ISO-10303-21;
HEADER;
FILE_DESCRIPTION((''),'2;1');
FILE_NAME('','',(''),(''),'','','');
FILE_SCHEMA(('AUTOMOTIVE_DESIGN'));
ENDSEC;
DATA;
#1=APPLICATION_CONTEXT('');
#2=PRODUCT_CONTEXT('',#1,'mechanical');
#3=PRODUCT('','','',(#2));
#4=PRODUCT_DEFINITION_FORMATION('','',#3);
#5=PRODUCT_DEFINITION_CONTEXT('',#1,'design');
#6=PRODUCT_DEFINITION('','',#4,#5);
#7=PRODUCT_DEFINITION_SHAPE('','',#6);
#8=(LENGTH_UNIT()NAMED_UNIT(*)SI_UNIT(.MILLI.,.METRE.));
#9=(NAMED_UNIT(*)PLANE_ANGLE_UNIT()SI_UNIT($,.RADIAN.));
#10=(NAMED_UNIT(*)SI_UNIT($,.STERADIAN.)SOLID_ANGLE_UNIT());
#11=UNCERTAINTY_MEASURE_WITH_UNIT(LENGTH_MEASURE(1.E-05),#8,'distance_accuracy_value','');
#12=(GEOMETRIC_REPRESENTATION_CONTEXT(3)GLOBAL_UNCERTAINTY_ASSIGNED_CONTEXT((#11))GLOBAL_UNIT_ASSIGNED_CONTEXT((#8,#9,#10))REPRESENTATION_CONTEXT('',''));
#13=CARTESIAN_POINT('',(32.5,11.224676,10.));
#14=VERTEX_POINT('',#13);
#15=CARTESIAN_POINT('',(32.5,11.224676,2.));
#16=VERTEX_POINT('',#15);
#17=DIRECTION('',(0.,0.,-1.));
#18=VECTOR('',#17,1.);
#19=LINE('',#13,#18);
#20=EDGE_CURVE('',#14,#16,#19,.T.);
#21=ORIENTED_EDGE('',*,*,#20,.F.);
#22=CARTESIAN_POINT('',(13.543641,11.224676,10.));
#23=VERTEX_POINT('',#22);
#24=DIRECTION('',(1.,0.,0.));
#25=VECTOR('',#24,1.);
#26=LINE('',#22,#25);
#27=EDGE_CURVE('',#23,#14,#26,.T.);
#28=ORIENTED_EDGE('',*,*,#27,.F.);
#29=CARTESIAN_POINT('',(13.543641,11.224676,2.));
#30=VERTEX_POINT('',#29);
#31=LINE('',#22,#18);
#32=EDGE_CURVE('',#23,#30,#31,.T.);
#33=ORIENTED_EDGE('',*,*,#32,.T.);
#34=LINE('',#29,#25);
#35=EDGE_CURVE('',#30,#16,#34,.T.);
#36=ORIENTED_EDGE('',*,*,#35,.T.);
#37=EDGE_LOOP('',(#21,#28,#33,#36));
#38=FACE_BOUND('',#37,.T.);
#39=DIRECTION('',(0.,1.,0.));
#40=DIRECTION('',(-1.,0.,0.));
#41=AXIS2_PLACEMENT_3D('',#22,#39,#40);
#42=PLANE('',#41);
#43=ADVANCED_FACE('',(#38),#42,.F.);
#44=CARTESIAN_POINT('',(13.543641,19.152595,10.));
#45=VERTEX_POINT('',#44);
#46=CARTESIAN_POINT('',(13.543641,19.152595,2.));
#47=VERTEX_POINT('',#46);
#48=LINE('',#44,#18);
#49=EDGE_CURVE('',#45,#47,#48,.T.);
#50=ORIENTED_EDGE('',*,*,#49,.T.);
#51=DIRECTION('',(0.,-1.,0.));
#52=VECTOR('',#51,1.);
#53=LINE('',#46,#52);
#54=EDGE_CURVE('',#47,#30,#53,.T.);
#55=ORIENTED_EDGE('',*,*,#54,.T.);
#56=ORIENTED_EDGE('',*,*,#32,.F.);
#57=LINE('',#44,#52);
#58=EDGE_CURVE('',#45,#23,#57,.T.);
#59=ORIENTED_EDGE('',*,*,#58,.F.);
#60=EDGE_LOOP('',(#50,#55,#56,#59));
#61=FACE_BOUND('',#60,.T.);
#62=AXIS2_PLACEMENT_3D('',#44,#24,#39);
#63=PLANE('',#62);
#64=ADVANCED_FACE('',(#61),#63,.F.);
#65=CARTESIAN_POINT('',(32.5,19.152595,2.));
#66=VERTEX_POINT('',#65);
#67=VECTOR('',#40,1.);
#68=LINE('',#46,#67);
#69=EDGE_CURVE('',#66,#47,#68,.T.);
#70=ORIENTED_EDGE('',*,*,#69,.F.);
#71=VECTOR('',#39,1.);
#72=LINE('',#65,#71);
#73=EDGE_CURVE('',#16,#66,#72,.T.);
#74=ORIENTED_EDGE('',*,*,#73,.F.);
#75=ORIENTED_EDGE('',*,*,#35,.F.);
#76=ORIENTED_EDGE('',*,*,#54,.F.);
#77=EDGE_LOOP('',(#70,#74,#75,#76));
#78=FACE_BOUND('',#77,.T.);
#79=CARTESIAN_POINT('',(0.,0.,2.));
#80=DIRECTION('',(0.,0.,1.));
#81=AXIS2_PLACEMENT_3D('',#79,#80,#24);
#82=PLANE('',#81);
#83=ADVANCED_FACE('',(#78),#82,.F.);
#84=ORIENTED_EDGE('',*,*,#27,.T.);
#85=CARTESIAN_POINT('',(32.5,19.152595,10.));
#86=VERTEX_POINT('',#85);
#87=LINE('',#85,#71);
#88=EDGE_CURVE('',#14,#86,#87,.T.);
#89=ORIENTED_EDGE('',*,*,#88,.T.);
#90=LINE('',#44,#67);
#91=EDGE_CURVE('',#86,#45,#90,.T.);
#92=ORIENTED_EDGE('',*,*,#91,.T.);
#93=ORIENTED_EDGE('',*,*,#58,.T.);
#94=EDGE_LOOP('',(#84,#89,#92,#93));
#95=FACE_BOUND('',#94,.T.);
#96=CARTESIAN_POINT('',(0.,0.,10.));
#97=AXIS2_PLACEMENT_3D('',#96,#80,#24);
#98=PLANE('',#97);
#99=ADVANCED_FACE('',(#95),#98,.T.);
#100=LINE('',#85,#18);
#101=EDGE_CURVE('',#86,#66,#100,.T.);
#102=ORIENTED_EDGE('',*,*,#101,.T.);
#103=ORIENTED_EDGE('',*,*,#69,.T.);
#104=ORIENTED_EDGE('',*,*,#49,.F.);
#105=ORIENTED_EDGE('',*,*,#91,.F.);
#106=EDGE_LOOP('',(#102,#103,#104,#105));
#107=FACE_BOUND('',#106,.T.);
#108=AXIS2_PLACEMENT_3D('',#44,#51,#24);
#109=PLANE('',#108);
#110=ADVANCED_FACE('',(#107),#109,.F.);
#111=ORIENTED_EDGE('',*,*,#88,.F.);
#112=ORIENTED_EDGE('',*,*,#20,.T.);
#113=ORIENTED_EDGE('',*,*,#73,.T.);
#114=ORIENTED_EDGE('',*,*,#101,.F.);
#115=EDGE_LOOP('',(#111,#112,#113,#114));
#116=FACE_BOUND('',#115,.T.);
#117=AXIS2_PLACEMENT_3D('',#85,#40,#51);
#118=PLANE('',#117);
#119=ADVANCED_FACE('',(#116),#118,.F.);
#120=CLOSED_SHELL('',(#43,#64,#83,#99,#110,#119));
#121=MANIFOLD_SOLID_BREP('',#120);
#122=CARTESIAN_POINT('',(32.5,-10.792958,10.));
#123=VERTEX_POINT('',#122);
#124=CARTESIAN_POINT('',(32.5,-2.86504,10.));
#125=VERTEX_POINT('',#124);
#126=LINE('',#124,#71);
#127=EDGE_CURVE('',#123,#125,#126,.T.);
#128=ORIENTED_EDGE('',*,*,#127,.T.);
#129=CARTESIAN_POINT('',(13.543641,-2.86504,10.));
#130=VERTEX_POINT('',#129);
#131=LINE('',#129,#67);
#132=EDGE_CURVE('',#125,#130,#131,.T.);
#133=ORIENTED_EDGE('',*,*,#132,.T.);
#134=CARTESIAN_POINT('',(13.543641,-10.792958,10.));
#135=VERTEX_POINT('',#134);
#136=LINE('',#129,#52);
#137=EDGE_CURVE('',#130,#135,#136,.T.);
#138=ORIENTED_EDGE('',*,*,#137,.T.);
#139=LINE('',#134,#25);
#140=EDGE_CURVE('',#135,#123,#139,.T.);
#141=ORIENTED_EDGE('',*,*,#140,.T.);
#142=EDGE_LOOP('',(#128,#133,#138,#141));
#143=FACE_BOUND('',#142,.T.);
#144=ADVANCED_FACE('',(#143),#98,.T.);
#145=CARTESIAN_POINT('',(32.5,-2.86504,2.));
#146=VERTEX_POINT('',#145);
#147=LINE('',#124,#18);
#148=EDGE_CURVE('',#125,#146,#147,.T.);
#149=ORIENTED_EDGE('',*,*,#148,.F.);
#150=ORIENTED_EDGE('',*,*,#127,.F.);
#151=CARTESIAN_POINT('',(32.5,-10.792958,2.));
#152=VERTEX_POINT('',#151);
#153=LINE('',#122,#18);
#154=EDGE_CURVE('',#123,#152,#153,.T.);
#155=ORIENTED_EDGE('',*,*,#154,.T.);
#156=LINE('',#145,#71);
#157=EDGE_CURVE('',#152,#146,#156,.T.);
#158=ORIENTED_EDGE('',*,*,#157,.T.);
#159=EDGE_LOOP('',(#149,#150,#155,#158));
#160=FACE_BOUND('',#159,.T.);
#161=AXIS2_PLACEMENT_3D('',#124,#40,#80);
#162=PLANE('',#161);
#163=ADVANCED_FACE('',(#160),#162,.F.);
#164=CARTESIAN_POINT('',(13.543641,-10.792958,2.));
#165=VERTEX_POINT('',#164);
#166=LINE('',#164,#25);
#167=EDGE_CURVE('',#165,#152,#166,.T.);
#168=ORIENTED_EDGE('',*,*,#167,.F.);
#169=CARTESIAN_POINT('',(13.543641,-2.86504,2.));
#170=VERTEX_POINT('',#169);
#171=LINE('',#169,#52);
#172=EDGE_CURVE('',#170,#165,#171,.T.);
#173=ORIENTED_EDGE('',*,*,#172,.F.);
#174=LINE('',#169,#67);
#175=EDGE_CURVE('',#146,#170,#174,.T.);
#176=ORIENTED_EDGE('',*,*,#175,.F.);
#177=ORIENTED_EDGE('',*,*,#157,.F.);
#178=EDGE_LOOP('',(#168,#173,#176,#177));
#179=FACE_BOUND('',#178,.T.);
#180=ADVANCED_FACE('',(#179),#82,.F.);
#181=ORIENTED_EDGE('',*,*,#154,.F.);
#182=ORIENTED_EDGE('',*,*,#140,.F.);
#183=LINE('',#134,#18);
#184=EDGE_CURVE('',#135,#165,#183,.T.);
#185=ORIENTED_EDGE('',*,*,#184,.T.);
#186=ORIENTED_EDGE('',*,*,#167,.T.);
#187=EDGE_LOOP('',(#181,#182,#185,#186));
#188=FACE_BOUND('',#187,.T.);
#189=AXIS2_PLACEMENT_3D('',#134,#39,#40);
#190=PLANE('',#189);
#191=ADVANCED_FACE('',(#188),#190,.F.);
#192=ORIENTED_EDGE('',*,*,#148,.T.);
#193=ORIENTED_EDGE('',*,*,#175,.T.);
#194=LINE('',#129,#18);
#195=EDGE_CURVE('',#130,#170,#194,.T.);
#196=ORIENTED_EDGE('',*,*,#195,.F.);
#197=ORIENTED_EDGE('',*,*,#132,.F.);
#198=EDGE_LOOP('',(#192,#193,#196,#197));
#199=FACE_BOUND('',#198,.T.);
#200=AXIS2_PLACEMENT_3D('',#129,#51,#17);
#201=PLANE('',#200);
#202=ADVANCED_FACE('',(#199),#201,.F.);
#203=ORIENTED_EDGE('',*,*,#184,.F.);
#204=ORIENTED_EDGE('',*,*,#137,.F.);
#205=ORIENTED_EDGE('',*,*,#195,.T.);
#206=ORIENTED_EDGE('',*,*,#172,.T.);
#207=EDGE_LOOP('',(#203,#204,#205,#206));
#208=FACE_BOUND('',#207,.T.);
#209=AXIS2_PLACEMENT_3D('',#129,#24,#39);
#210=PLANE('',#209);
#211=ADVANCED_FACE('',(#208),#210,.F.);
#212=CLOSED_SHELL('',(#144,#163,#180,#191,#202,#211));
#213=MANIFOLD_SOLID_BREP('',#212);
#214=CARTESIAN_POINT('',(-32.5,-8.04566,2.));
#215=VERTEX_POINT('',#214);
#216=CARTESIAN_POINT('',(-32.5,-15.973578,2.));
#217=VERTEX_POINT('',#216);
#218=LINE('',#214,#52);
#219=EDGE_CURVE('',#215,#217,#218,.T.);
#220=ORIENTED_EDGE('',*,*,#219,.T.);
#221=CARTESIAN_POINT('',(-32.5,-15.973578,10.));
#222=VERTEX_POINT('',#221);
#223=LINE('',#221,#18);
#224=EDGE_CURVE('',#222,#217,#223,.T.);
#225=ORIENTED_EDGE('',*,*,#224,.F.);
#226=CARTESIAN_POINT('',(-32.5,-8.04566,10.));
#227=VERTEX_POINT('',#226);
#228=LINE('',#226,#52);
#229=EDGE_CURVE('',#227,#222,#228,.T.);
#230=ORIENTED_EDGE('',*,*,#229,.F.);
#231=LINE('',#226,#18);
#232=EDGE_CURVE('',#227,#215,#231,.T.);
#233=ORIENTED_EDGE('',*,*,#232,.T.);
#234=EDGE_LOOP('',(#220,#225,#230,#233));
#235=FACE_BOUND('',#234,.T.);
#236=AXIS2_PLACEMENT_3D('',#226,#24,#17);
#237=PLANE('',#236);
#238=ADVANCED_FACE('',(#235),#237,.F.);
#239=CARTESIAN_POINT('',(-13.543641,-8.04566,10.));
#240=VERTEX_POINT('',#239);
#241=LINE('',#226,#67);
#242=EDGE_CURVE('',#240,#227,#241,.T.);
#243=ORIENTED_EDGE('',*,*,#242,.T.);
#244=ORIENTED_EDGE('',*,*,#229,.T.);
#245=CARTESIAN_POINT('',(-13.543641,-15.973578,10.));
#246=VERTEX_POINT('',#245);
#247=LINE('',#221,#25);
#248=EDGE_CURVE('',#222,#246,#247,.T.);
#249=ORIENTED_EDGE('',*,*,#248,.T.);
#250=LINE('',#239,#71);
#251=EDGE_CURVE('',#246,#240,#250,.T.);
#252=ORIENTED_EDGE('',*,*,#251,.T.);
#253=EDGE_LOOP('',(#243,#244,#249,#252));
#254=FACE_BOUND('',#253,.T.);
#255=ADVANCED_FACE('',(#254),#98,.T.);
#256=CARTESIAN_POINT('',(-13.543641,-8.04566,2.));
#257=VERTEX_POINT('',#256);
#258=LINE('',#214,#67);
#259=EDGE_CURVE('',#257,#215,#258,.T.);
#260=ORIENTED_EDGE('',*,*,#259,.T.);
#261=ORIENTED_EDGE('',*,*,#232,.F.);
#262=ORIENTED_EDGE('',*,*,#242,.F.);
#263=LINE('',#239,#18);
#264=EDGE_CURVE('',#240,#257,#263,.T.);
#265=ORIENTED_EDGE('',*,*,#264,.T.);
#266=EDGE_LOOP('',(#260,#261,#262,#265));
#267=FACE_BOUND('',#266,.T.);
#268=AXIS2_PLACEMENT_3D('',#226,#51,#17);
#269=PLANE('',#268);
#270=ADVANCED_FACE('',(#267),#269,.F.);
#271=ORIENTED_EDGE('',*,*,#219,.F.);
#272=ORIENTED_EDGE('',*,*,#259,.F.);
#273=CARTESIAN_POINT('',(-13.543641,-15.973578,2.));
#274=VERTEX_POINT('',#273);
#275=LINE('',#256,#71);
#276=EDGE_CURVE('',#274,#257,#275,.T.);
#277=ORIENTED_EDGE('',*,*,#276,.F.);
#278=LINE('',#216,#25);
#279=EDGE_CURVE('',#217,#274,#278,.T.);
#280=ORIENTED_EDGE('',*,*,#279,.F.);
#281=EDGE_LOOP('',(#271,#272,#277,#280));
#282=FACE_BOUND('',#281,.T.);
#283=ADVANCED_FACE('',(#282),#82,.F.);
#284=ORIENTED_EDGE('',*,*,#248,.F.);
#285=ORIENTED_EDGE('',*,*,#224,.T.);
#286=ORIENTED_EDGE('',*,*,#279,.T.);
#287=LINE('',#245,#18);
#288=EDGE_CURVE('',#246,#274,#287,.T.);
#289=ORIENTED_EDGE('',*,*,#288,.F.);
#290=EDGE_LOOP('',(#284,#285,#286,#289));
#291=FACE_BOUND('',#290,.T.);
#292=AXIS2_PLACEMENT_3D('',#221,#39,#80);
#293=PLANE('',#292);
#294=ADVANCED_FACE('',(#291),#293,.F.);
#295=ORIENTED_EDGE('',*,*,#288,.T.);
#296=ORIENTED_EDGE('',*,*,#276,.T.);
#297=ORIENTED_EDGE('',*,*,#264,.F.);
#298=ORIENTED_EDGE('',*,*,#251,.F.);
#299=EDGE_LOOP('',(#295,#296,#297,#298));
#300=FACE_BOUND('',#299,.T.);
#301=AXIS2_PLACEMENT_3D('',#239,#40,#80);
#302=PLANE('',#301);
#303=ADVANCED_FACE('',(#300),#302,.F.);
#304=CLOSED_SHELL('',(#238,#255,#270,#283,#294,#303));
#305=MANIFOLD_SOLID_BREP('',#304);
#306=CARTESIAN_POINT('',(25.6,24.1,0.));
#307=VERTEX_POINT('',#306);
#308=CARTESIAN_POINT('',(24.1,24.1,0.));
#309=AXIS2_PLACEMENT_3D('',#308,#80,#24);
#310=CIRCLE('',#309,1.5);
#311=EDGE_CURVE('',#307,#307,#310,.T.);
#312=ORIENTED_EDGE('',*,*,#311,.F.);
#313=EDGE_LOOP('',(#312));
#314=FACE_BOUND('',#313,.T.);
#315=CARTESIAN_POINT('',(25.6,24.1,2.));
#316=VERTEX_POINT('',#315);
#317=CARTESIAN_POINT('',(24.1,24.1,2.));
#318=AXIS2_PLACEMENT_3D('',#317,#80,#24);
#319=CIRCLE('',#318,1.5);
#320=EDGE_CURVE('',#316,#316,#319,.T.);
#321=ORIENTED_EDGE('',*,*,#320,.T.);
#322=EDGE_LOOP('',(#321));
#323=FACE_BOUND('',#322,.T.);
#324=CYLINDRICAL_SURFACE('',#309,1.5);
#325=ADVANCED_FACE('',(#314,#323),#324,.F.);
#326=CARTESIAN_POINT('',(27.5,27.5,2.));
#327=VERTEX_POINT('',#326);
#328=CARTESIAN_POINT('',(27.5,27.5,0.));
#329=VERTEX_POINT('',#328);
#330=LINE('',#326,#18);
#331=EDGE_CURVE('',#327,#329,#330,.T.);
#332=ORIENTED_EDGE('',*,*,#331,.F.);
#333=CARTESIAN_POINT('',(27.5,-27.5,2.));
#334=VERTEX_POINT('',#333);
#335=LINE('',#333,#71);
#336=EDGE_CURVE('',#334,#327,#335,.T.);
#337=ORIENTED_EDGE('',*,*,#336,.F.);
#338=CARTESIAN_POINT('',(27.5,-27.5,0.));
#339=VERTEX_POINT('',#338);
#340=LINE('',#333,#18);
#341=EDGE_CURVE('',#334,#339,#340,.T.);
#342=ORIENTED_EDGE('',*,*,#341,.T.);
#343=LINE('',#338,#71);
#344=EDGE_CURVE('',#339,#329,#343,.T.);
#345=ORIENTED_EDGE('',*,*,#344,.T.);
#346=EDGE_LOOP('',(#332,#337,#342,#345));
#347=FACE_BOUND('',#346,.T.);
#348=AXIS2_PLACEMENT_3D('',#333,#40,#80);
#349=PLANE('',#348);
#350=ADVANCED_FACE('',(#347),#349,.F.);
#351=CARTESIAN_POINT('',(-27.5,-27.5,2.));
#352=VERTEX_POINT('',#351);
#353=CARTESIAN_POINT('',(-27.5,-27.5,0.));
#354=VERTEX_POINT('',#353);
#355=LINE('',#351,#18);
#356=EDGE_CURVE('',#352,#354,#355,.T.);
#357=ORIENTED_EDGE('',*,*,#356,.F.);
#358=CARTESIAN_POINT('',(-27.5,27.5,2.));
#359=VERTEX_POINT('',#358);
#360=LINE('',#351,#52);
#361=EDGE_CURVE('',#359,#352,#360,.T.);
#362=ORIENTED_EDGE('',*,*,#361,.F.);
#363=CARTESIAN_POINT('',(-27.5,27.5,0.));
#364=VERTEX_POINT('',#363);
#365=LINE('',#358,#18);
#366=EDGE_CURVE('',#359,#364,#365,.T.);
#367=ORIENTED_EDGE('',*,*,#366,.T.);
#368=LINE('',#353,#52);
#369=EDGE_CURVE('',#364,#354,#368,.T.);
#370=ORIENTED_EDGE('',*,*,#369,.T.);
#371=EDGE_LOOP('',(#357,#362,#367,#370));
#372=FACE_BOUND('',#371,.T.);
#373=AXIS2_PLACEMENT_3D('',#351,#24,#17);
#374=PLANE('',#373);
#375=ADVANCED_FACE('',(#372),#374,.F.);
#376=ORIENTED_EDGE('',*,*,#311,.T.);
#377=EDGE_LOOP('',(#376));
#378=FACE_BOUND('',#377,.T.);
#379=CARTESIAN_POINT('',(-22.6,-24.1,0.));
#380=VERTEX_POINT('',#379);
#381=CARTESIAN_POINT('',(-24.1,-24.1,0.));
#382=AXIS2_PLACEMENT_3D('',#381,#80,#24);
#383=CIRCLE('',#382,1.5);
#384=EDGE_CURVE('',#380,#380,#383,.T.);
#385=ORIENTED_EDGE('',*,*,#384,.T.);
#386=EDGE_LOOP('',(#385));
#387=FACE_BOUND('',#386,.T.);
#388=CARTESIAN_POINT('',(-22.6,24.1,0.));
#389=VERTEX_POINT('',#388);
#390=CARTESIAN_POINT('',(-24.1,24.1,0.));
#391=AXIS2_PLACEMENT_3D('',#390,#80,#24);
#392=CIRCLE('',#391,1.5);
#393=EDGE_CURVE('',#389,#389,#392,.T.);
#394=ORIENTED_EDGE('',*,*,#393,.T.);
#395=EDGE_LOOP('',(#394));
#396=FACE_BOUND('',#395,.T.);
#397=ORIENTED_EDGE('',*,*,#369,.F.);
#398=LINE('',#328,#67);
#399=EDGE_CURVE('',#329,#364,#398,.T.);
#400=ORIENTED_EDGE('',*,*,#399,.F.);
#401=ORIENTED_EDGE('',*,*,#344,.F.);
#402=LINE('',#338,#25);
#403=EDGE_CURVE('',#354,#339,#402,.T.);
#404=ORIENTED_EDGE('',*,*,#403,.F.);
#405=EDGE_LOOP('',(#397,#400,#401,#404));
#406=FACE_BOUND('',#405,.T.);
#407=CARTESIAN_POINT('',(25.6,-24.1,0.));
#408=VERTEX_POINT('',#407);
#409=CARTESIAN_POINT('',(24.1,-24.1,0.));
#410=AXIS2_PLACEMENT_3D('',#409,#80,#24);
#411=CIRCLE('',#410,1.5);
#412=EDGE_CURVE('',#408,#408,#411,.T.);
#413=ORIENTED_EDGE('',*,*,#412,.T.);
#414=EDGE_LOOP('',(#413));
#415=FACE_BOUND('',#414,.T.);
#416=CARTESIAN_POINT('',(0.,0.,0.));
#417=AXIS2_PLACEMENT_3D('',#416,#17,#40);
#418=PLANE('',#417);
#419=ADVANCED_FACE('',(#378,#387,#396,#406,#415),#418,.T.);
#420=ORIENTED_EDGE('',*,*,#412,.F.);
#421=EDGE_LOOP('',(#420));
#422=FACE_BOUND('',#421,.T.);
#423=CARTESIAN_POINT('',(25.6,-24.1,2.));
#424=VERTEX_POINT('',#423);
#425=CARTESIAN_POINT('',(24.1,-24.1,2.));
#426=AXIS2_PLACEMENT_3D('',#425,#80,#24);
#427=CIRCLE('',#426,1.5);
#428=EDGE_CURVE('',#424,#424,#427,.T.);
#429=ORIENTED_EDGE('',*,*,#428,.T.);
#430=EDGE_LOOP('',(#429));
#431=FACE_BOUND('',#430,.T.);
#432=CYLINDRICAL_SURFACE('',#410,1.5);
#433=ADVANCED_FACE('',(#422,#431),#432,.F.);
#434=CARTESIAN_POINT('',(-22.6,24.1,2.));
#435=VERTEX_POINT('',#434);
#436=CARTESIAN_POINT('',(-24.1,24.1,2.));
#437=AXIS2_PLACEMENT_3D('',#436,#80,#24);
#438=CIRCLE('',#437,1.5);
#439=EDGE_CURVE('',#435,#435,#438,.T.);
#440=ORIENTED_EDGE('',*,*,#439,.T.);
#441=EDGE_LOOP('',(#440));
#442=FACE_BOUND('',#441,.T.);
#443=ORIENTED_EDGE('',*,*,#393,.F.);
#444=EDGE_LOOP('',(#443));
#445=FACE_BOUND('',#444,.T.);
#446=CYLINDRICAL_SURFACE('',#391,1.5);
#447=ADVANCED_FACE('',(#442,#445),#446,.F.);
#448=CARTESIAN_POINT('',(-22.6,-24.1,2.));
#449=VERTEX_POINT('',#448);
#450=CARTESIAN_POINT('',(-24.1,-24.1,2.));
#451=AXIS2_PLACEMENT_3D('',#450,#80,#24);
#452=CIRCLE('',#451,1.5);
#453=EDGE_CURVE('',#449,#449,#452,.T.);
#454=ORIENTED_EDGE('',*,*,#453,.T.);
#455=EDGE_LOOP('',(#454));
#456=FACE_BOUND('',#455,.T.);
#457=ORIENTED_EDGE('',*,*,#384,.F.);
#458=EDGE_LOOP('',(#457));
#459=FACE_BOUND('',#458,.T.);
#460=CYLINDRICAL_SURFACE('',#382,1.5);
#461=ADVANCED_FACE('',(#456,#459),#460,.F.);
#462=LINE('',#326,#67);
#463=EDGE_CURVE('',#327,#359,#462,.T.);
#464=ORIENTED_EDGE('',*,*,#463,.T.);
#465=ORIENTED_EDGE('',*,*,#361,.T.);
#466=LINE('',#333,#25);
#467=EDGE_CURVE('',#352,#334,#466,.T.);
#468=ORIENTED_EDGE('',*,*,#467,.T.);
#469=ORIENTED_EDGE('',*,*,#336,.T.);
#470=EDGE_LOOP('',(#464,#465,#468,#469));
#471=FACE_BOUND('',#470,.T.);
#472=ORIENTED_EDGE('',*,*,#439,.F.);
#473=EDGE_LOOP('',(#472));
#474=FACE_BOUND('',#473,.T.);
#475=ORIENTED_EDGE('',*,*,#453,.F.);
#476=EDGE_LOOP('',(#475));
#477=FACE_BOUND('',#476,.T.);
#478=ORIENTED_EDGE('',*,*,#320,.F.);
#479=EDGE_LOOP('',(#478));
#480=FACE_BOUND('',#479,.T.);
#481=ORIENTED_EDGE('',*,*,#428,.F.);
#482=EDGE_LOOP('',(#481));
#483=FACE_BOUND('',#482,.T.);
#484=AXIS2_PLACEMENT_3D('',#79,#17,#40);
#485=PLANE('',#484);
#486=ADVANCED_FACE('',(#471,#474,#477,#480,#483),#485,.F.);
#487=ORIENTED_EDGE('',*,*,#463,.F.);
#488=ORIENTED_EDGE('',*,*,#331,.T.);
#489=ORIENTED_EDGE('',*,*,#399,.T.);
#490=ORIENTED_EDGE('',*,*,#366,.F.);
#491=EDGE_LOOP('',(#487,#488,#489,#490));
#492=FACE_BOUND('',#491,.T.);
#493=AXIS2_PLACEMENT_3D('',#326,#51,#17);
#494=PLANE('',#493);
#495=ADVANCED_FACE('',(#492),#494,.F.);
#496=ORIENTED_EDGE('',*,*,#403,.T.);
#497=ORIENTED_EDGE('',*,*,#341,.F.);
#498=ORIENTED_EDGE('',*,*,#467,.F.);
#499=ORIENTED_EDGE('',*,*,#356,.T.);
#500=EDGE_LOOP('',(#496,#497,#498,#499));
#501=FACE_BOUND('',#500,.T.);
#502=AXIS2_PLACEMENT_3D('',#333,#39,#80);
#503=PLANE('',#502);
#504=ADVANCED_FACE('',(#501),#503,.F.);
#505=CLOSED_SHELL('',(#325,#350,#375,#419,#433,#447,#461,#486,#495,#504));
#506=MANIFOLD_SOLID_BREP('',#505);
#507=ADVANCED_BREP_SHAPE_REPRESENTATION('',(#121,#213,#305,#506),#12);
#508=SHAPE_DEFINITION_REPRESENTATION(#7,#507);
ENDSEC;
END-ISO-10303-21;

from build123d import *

# Parameters (mm, degrees)
SKIZZE1_W                         = 55
SKIZZE1_H                         = 55
AUFSATZ_LINEAR_AUSTRAGEN1_DEPTH   = 2
SKIZZE2_R                         = 1.5
SCHNITT_LINEAR_AUSTRAGEN1_DEPTH   = 2
SKIZZE3_W                         = 18.956359153
SKIZZE3_H                         = 7.92791832
AUFSATZ_LINEAR_AUSTRAGEN2_DEPTH   = 8
SKIZZE3_H_2                       = 7.927918321
AUFSATZ_LINEAR_AUSTRAGEN2_2_DEPTH = 8
AUFSATZ_LINEAR_AUSTRAGEN2_3_DEPTH = 8


with BuildPart() as part:
    # Skizze1 → Aufsatz-Linear austragen1 (new body)
    with BuildSketch(Plane(origin=(0, 0, 0), x_dir=(0, 1, 0), z_dir=(0, 0, 1))):
        Rectangle(SKIZZE1_W, SKIZZE1_H)
    extrude(amount=AUFSATZ_LINEAR_AUSTRAGEN1_DEPTH)

    # Skizze2 → Schnitt-Linear austragen1 (cut)
    with BuildSketch(Plane.XY.offset(2)):
        with Locations((24.1, 24.1)):
            Circle(SKIZZE2_R)
        with Locations((24.1, -24.1)):
            Circle(SKIZZE2_R)
        with Locations((-24.1, -24.1)):
            Circle(SKIZZE2_R)
        with Locations((-24.1, 24.1)):
            Circle(SKIZZE2_R)
    extrude(amount=-SCHNITT_LINEAR_AUSTRAGEN1_DEPTH, mode=Mode.SUBTRACT)


with BuildPart() as body_2:
    # Skizze3 → Aufsatz-Linear austragen2 (new body)
    with BuildSketch(Plane.XY.offset(2)):
        with Locations((-23.021820423, -12.009618842)):
            Rectangle(SKIZZE3_W, SKIZZE3_H)
    extrude(amount=AUFSATZ_LINEAR_AUSTRAGEN2_DEPTH)


with BuildPart() as body_3:
    # Skizze3 → Aufsatz-Linear austragen2 2 (new body)
    with BuildSketch(Plane.XY.offset(2)):
        with Locations((23.021820423, 15.188635595)):
            Rectangle(SKIZZE3_W, SKIZZE3_H_2)
    extrude(amount=AUFSATZ_LINEAR_AUSTRAGEN2_2_DEPTH)


with BuildPart() as body_4:
    # Skizze3 → Aufsatz-Linear austragen2 3 (new body)
    with BuildSketch(Plane.XY.offset(2)):
        with Locations((23.021820423, -6.82899895)):
            Rectangle(SKIZZE3_W, SKIZZE3_H_2)
    extrude(amount=AUFSATZ_LINEAR_AUSTRAGEN2_3_DEPTH)


solid = Compound([part.part, body_2.part, body_3.part, body_4.part])
